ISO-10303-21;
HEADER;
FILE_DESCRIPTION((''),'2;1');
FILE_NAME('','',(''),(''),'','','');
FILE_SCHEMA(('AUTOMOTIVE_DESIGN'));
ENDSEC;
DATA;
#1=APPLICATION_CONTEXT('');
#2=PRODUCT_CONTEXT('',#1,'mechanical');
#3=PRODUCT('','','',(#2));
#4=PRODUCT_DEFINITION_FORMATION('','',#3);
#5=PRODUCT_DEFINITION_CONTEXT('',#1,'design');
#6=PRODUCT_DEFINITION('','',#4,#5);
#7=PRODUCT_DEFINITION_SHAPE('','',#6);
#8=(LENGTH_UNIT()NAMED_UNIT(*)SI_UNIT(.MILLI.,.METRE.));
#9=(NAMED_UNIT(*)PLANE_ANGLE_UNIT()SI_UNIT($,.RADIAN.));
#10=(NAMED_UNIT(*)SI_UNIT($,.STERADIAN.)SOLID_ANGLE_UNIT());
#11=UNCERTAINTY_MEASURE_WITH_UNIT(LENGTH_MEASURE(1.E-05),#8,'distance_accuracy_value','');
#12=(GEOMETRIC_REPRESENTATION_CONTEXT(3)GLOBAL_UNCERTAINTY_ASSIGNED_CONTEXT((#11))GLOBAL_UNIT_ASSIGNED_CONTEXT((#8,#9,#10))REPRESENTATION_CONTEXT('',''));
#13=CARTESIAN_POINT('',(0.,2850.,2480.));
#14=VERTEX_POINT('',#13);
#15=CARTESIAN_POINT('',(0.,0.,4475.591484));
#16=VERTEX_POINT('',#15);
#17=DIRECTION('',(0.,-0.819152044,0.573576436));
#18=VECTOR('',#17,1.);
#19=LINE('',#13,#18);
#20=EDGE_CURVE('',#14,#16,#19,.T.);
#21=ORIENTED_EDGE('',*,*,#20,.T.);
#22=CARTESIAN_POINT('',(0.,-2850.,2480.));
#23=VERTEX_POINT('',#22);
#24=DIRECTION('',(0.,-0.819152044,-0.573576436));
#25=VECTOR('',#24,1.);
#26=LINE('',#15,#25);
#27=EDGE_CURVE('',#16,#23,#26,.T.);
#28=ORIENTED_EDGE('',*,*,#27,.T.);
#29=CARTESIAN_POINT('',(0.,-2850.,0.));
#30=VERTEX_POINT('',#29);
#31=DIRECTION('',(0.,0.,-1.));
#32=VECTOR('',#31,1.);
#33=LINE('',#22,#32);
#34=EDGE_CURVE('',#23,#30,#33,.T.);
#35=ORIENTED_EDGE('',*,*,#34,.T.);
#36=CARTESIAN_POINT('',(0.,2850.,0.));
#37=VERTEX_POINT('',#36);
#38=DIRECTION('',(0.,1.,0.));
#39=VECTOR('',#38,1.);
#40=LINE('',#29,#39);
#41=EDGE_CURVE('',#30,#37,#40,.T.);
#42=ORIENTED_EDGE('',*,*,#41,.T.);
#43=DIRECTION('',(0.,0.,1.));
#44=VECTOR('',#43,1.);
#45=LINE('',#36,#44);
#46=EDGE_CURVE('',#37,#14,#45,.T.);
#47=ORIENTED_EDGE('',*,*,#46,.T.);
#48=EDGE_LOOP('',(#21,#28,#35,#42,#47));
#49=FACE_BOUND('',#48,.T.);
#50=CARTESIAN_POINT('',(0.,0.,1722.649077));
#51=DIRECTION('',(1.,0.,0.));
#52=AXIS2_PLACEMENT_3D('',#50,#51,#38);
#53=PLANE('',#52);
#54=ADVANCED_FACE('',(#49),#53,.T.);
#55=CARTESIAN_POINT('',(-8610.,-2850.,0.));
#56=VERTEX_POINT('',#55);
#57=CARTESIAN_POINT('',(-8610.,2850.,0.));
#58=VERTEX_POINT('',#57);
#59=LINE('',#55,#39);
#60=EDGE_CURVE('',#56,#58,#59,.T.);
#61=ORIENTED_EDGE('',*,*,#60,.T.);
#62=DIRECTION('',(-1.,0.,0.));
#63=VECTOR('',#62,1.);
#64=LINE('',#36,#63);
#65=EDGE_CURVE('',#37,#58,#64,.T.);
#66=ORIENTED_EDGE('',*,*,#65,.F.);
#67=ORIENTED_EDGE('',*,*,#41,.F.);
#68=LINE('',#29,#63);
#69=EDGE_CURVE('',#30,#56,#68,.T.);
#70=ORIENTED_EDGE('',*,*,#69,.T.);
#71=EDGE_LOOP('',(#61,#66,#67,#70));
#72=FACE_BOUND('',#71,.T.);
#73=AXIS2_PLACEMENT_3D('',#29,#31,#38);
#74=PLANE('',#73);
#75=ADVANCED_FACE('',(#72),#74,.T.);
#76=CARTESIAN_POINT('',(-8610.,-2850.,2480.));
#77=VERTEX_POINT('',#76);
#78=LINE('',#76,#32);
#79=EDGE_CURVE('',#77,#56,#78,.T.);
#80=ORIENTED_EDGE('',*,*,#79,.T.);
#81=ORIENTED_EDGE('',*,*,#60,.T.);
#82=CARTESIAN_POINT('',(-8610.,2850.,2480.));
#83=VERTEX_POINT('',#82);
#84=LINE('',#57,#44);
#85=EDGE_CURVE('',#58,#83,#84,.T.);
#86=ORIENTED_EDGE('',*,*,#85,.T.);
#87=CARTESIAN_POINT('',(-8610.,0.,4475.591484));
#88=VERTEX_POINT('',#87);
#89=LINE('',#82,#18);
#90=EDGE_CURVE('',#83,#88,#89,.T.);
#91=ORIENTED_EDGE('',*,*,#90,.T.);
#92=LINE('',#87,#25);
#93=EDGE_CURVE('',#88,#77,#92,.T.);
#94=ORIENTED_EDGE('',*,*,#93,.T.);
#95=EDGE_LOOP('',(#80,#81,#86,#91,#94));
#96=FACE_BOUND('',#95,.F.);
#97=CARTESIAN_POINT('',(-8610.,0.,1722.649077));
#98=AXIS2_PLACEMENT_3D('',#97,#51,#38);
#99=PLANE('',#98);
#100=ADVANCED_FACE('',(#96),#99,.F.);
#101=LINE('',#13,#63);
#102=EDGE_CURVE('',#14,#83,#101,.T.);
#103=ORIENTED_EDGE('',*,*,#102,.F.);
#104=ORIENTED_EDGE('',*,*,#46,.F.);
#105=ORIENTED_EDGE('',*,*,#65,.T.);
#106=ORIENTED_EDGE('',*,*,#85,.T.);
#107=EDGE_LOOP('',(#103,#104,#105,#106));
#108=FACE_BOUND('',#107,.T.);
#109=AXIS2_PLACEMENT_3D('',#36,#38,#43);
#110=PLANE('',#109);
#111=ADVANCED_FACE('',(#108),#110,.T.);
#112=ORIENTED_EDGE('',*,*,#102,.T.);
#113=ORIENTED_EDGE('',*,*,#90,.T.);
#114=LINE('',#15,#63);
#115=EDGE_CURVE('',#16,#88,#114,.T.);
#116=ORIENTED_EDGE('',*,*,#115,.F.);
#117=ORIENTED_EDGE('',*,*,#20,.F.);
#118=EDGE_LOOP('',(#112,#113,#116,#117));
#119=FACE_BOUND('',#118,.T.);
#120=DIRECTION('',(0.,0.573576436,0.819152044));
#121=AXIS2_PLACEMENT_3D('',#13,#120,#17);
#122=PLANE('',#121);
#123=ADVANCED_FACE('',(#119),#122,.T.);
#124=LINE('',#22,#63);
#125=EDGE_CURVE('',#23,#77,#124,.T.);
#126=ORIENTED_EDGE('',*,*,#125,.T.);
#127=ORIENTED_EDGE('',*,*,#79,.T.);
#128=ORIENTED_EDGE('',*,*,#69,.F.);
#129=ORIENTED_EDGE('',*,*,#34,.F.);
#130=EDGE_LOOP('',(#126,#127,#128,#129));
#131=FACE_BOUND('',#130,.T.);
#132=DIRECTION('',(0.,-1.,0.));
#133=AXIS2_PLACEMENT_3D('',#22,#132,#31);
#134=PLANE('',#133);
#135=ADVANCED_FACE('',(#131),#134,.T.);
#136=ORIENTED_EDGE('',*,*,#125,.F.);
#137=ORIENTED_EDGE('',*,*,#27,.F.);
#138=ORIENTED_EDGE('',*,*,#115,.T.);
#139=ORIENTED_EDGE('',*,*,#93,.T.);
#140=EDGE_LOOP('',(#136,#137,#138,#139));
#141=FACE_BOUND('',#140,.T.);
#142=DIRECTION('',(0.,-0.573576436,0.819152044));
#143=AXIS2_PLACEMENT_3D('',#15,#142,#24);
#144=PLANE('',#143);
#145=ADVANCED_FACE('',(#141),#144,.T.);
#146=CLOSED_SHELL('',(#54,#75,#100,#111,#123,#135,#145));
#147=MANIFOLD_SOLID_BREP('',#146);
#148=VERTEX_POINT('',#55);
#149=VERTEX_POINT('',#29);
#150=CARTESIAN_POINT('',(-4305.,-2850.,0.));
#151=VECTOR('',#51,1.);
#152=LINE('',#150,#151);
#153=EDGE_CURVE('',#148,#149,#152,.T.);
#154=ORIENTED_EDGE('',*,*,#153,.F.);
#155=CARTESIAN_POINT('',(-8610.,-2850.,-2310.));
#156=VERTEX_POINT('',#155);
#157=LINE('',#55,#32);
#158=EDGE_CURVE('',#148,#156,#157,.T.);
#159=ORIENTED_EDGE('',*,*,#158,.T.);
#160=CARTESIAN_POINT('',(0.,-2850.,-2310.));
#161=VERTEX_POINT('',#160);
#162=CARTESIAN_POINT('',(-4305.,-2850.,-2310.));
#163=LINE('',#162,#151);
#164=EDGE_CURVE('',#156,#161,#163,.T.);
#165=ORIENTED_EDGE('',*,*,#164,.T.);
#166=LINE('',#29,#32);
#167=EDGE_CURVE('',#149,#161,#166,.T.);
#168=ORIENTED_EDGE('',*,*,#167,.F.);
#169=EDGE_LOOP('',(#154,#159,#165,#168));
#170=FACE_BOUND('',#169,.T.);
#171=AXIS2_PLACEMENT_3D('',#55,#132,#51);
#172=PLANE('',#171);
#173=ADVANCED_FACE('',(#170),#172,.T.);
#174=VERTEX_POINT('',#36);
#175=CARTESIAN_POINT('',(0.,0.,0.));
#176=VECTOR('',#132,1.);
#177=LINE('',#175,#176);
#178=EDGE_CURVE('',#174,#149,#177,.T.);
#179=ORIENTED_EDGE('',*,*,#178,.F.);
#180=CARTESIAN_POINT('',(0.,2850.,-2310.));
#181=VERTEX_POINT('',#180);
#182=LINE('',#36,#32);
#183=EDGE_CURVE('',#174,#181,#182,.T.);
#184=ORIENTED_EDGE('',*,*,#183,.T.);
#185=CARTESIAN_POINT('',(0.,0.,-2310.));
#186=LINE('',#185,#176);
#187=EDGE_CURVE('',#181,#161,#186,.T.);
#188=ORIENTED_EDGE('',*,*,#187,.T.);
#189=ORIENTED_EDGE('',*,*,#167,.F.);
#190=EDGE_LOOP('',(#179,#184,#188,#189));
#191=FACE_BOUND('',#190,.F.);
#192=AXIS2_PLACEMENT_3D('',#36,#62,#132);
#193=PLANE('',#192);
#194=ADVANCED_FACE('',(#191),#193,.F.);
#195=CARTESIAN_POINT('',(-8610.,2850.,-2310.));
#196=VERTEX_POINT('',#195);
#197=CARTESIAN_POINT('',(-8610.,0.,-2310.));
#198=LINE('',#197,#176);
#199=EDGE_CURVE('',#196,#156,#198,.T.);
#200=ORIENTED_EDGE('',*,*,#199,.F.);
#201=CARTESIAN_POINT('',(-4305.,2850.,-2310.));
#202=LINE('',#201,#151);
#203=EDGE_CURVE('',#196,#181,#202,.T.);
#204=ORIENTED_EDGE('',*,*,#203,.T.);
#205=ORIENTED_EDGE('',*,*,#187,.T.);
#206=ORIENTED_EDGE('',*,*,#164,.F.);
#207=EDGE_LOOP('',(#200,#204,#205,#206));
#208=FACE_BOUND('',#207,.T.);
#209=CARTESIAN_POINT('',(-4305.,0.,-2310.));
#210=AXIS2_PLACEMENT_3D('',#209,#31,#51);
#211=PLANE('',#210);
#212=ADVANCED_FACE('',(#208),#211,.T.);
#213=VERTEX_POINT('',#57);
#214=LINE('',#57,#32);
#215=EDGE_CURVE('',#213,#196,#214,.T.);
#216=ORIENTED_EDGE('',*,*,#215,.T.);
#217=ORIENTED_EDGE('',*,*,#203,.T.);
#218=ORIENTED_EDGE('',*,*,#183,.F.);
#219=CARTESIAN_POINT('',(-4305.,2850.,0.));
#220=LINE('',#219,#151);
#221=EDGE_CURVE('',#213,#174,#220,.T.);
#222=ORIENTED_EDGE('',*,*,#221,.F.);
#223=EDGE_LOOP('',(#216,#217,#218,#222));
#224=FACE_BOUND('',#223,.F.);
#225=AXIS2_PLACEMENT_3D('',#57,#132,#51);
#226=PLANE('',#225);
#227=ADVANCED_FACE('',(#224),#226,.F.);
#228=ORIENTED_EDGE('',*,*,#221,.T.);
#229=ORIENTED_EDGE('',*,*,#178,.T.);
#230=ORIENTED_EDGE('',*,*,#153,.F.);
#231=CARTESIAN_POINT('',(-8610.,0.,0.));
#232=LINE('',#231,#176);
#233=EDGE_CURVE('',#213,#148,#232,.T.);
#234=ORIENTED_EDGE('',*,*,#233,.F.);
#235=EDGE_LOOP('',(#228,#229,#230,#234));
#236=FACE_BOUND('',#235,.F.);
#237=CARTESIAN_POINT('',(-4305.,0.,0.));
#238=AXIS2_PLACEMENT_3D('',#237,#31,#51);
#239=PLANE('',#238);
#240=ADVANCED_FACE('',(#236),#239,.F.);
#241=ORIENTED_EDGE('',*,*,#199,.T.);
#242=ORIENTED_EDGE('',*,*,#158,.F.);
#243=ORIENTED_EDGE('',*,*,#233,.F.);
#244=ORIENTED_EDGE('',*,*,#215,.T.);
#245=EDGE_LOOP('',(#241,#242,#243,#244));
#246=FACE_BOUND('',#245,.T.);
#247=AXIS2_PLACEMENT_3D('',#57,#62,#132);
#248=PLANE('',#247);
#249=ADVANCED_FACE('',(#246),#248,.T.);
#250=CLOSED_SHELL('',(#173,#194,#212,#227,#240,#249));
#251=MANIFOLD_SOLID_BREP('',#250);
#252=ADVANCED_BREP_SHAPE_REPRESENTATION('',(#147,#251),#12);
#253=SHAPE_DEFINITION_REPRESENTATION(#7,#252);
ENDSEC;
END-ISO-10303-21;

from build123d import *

# Parameters (mm, degrees)
F1_DEPTH  = 8610
F1_FACE_W = 8610
F1_FACE_H = 5700
F2_DEPTH  = 2310


with BuildPart() as f1:
    # F0 (on Right) → F1 (new body)
    with BuildSketch(Plane.YZ):
        Polygon((2850, 2480), (0, 4475.591484), (-2850, 2480), (-2850, 0), (2850, 0), align=None)
    extrude(amount=-F1_DEPTH)


with BuildPart() as f2:
    # F1_face (on face) → F2 (new body)
    with BuildSketch(Plane(origin=(-4305, 0, 0), x_dir=(1, 0, 0), z_dir=(0, 0, -1))):
        Rectangle(F1_FACE_W, F1_FACE_H)
    extrude(amount=F2_DEPTH)


solid = Compound([f1.part, f2.part])
